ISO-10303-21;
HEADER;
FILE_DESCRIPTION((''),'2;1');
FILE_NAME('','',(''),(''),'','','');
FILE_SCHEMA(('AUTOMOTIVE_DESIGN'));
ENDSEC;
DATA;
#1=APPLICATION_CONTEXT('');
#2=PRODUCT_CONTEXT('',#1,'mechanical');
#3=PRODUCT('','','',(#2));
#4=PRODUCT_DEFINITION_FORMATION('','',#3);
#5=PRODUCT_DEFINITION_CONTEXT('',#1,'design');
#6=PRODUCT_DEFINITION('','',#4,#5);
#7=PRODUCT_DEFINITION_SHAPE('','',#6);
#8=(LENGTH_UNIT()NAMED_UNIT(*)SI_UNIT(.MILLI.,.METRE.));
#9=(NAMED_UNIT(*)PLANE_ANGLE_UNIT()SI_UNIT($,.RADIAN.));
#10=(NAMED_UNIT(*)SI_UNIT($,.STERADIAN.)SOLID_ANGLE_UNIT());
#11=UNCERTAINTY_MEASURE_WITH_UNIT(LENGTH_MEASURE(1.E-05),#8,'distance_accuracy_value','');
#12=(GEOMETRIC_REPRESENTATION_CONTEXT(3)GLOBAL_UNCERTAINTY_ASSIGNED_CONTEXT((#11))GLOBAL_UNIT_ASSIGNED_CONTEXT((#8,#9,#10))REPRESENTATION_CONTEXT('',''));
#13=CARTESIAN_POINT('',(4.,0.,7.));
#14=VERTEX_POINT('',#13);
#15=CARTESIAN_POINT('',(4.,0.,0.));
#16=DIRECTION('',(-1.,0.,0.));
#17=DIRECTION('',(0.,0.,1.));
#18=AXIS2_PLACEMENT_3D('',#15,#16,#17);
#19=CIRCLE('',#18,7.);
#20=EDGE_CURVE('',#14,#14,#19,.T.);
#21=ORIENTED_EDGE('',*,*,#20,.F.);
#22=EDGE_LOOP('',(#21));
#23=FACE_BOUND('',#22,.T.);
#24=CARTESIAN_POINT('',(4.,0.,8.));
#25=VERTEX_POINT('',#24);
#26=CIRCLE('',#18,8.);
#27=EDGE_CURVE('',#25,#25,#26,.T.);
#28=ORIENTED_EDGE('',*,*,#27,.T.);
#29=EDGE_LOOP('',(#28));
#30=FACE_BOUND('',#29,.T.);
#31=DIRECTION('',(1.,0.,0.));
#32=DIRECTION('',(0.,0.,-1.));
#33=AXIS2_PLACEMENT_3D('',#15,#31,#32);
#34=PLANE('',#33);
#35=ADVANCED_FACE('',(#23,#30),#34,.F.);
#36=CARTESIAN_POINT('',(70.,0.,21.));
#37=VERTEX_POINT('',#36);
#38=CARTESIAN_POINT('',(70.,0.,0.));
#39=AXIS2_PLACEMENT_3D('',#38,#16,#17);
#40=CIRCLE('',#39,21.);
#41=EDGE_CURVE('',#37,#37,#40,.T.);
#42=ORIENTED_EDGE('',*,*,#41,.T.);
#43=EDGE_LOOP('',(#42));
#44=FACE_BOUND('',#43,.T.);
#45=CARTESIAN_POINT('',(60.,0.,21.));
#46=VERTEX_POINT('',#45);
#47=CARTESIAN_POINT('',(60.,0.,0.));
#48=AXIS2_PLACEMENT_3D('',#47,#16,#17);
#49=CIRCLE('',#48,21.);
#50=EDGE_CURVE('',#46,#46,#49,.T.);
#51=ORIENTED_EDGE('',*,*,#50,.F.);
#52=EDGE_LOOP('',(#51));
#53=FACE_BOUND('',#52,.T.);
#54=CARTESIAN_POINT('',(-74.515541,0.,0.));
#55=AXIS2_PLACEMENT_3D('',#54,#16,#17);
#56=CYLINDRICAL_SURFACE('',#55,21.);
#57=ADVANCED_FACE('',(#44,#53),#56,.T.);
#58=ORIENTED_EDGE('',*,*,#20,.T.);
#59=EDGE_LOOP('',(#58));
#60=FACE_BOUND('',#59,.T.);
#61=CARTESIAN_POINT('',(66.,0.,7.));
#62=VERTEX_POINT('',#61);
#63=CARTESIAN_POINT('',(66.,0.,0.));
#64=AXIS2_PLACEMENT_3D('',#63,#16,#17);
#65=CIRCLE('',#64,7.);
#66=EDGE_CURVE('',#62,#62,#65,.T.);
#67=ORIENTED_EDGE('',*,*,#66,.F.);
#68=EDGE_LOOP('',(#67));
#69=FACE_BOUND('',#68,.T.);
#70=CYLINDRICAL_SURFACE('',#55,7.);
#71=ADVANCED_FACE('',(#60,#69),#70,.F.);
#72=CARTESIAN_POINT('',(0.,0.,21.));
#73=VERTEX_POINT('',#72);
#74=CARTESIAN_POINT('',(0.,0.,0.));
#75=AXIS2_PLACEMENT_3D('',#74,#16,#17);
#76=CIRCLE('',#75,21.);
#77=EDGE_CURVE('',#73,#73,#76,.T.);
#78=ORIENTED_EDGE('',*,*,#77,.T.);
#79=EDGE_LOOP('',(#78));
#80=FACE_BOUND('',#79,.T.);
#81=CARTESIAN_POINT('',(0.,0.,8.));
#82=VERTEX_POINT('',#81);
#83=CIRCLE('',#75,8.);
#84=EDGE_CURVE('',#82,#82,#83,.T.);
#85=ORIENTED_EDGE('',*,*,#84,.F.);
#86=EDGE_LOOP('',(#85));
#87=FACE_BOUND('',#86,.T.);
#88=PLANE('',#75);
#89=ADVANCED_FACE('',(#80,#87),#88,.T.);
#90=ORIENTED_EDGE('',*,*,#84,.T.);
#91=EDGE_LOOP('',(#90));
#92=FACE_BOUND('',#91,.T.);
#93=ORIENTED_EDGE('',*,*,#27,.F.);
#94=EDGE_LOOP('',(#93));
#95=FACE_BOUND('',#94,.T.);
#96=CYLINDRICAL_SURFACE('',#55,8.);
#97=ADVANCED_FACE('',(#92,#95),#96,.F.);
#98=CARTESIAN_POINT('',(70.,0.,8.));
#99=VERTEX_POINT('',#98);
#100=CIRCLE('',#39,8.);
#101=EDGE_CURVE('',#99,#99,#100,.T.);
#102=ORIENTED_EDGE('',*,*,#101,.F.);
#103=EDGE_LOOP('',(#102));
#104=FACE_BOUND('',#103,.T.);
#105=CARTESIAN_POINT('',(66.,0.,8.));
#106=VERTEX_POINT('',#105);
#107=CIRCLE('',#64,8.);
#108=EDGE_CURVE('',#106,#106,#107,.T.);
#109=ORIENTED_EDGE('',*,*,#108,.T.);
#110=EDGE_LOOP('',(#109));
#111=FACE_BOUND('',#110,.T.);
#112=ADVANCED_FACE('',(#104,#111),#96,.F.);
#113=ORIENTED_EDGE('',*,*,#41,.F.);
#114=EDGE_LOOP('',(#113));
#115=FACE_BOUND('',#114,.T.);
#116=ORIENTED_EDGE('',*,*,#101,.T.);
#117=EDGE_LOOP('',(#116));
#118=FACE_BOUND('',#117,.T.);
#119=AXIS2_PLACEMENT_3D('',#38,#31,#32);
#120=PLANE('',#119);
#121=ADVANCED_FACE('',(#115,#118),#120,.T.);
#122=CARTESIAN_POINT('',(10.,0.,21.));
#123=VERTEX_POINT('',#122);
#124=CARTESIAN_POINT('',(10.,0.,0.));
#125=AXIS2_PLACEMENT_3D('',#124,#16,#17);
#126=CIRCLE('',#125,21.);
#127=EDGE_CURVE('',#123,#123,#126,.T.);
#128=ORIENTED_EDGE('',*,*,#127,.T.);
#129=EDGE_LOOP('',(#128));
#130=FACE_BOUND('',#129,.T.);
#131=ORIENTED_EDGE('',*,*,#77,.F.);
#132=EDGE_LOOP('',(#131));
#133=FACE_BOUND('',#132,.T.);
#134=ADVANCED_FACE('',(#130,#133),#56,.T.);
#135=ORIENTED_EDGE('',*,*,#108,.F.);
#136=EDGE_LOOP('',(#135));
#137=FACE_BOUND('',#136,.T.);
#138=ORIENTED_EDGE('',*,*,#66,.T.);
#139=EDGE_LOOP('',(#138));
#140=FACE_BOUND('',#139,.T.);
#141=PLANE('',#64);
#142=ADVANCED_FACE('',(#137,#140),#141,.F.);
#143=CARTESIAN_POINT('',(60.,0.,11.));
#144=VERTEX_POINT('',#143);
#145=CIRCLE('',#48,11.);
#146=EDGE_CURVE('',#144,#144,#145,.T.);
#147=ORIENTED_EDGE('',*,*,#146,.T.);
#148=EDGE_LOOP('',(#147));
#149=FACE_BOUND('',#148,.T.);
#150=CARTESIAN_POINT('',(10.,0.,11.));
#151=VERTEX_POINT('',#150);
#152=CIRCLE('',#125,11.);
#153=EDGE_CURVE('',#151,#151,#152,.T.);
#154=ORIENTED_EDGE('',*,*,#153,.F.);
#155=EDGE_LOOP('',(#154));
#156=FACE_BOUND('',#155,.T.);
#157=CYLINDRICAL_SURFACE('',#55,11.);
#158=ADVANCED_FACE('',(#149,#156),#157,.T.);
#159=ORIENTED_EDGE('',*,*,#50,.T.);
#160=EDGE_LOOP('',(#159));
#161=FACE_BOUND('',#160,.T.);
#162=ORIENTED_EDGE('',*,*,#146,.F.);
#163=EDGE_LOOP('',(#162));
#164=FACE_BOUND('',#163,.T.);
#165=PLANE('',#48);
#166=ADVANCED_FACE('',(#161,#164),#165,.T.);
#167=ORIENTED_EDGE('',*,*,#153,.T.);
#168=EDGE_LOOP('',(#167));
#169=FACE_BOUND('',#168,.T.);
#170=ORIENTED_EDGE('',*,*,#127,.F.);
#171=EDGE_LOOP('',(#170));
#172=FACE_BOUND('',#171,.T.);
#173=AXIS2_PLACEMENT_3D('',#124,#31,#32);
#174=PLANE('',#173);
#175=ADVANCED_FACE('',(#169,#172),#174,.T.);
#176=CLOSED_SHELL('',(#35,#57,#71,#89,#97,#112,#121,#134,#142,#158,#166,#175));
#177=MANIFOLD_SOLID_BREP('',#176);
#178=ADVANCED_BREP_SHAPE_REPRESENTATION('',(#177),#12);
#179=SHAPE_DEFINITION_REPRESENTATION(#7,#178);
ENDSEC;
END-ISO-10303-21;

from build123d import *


with BuildPart() as part:
    # 草图1 → 旋转1 (revolve)
    with BuildSketch(Plane(origin=(0, 0, 0), x_dir=(1, 0, 0), z_dir=(0, 1, 0)), mode=Mode.PRIVATE) as revolve_1_sk:
        Polygon((66, 7), (66, 8), (70, 8), (70, 21), (60, 21), (60, 11), (10, 11), (10, 21), (0, 21), (0, 8), (4, 8), (4, 7), align=None)
    revolve(revolve_1_sk.sketch.rotate(Axis((-74.515541445, 0, 0), (1, 0, 0)), 180), axis=Axis((-74.515541445, 0, 0), (1, 0, 0)))


solid = part.part
